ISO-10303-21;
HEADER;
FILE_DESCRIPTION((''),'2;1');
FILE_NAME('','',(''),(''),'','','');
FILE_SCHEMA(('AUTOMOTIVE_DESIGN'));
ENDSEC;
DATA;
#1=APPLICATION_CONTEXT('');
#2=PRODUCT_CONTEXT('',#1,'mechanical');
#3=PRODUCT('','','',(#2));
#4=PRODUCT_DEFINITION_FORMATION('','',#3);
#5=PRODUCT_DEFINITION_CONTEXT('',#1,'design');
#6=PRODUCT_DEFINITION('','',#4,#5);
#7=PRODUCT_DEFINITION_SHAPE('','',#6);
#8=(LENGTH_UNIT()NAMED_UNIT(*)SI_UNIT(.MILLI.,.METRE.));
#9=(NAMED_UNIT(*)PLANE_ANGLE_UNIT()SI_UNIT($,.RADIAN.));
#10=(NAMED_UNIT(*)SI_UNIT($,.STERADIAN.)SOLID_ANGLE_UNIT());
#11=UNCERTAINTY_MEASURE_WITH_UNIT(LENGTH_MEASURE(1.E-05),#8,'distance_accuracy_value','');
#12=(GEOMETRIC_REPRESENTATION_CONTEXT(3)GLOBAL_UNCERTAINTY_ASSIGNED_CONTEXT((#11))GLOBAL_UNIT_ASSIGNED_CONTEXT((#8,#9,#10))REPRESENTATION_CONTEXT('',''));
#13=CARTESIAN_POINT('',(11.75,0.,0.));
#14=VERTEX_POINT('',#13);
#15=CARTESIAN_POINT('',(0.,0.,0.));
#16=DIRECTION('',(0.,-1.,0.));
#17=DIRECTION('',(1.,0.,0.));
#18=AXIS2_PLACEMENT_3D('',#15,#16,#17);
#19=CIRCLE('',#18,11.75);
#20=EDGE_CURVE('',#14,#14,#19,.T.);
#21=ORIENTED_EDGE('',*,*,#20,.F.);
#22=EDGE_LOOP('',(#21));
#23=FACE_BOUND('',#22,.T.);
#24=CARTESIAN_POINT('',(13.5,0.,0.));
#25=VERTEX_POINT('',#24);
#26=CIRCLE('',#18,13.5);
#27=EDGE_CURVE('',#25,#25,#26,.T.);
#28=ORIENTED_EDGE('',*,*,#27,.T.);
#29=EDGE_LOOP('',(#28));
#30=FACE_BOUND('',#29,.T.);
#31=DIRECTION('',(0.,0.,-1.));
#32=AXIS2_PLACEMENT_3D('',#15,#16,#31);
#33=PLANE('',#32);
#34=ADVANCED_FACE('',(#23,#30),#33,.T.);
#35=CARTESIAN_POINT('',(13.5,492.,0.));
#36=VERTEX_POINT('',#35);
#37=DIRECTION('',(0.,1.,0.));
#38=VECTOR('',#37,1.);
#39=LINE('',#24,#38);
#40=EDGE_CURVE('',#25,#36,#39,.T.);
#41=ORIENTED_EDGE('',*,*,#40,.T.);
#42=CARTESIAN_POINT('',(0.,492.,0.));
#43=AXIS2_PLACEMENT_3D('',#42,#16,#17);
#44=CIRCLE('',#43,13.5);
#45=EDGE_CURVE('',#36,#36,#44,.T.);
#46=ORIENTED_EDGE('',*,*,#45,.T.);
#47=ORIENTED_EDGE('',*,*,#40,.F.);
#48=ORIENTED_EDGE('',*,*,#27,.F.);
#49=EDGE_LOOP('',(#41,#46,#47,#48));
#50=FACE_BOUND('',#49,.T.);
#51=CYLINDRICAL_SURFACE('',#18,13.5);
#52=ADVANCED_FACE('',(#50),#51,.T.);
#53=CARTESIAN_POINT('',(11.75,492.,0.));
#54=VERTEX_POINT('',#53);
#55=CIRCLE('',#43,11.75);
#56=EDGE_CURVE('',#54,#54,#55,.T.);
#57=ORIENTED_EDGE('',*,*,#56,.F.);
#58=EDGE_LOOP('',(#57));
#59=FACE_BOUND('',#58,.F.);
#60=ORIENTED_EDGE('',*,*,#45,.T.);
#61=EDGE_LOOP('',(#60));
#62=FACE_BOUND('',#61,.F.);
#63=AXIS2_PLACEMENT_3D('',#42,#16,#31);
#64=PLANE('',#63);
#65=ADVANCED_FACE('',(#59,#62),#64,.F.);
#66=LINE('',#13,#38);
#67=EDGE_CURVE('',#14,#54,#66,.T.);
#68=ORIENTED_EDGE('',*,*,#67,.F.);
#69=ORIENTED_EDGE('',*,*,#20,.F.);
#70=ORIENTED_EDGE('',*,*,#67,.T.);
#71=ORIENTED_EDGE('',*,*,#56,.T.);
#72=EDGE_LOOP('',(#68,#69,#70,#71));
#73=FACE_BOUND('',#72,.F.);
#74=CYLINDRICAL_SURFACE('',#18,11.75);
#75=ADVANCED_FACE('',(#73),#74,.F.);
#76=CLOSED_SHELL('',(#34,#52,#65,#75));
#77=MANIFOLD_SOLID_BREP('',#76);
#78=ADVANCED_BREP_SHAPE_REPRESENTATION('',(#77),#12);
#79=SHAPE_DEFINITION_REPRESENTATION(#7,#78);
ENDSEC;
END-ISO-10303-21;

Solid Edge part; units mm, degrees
sketch "Sketch1" plane through (0, 0, 0) normal (0, -1, 0) x (1, 0, 0)
  circle A0 centre (0, 0) radius 13.5
  circle A1 centre (0, 0) radius 11.75
extrude "Protrusion1" add sketch "Sketch1" against normal blind 492
